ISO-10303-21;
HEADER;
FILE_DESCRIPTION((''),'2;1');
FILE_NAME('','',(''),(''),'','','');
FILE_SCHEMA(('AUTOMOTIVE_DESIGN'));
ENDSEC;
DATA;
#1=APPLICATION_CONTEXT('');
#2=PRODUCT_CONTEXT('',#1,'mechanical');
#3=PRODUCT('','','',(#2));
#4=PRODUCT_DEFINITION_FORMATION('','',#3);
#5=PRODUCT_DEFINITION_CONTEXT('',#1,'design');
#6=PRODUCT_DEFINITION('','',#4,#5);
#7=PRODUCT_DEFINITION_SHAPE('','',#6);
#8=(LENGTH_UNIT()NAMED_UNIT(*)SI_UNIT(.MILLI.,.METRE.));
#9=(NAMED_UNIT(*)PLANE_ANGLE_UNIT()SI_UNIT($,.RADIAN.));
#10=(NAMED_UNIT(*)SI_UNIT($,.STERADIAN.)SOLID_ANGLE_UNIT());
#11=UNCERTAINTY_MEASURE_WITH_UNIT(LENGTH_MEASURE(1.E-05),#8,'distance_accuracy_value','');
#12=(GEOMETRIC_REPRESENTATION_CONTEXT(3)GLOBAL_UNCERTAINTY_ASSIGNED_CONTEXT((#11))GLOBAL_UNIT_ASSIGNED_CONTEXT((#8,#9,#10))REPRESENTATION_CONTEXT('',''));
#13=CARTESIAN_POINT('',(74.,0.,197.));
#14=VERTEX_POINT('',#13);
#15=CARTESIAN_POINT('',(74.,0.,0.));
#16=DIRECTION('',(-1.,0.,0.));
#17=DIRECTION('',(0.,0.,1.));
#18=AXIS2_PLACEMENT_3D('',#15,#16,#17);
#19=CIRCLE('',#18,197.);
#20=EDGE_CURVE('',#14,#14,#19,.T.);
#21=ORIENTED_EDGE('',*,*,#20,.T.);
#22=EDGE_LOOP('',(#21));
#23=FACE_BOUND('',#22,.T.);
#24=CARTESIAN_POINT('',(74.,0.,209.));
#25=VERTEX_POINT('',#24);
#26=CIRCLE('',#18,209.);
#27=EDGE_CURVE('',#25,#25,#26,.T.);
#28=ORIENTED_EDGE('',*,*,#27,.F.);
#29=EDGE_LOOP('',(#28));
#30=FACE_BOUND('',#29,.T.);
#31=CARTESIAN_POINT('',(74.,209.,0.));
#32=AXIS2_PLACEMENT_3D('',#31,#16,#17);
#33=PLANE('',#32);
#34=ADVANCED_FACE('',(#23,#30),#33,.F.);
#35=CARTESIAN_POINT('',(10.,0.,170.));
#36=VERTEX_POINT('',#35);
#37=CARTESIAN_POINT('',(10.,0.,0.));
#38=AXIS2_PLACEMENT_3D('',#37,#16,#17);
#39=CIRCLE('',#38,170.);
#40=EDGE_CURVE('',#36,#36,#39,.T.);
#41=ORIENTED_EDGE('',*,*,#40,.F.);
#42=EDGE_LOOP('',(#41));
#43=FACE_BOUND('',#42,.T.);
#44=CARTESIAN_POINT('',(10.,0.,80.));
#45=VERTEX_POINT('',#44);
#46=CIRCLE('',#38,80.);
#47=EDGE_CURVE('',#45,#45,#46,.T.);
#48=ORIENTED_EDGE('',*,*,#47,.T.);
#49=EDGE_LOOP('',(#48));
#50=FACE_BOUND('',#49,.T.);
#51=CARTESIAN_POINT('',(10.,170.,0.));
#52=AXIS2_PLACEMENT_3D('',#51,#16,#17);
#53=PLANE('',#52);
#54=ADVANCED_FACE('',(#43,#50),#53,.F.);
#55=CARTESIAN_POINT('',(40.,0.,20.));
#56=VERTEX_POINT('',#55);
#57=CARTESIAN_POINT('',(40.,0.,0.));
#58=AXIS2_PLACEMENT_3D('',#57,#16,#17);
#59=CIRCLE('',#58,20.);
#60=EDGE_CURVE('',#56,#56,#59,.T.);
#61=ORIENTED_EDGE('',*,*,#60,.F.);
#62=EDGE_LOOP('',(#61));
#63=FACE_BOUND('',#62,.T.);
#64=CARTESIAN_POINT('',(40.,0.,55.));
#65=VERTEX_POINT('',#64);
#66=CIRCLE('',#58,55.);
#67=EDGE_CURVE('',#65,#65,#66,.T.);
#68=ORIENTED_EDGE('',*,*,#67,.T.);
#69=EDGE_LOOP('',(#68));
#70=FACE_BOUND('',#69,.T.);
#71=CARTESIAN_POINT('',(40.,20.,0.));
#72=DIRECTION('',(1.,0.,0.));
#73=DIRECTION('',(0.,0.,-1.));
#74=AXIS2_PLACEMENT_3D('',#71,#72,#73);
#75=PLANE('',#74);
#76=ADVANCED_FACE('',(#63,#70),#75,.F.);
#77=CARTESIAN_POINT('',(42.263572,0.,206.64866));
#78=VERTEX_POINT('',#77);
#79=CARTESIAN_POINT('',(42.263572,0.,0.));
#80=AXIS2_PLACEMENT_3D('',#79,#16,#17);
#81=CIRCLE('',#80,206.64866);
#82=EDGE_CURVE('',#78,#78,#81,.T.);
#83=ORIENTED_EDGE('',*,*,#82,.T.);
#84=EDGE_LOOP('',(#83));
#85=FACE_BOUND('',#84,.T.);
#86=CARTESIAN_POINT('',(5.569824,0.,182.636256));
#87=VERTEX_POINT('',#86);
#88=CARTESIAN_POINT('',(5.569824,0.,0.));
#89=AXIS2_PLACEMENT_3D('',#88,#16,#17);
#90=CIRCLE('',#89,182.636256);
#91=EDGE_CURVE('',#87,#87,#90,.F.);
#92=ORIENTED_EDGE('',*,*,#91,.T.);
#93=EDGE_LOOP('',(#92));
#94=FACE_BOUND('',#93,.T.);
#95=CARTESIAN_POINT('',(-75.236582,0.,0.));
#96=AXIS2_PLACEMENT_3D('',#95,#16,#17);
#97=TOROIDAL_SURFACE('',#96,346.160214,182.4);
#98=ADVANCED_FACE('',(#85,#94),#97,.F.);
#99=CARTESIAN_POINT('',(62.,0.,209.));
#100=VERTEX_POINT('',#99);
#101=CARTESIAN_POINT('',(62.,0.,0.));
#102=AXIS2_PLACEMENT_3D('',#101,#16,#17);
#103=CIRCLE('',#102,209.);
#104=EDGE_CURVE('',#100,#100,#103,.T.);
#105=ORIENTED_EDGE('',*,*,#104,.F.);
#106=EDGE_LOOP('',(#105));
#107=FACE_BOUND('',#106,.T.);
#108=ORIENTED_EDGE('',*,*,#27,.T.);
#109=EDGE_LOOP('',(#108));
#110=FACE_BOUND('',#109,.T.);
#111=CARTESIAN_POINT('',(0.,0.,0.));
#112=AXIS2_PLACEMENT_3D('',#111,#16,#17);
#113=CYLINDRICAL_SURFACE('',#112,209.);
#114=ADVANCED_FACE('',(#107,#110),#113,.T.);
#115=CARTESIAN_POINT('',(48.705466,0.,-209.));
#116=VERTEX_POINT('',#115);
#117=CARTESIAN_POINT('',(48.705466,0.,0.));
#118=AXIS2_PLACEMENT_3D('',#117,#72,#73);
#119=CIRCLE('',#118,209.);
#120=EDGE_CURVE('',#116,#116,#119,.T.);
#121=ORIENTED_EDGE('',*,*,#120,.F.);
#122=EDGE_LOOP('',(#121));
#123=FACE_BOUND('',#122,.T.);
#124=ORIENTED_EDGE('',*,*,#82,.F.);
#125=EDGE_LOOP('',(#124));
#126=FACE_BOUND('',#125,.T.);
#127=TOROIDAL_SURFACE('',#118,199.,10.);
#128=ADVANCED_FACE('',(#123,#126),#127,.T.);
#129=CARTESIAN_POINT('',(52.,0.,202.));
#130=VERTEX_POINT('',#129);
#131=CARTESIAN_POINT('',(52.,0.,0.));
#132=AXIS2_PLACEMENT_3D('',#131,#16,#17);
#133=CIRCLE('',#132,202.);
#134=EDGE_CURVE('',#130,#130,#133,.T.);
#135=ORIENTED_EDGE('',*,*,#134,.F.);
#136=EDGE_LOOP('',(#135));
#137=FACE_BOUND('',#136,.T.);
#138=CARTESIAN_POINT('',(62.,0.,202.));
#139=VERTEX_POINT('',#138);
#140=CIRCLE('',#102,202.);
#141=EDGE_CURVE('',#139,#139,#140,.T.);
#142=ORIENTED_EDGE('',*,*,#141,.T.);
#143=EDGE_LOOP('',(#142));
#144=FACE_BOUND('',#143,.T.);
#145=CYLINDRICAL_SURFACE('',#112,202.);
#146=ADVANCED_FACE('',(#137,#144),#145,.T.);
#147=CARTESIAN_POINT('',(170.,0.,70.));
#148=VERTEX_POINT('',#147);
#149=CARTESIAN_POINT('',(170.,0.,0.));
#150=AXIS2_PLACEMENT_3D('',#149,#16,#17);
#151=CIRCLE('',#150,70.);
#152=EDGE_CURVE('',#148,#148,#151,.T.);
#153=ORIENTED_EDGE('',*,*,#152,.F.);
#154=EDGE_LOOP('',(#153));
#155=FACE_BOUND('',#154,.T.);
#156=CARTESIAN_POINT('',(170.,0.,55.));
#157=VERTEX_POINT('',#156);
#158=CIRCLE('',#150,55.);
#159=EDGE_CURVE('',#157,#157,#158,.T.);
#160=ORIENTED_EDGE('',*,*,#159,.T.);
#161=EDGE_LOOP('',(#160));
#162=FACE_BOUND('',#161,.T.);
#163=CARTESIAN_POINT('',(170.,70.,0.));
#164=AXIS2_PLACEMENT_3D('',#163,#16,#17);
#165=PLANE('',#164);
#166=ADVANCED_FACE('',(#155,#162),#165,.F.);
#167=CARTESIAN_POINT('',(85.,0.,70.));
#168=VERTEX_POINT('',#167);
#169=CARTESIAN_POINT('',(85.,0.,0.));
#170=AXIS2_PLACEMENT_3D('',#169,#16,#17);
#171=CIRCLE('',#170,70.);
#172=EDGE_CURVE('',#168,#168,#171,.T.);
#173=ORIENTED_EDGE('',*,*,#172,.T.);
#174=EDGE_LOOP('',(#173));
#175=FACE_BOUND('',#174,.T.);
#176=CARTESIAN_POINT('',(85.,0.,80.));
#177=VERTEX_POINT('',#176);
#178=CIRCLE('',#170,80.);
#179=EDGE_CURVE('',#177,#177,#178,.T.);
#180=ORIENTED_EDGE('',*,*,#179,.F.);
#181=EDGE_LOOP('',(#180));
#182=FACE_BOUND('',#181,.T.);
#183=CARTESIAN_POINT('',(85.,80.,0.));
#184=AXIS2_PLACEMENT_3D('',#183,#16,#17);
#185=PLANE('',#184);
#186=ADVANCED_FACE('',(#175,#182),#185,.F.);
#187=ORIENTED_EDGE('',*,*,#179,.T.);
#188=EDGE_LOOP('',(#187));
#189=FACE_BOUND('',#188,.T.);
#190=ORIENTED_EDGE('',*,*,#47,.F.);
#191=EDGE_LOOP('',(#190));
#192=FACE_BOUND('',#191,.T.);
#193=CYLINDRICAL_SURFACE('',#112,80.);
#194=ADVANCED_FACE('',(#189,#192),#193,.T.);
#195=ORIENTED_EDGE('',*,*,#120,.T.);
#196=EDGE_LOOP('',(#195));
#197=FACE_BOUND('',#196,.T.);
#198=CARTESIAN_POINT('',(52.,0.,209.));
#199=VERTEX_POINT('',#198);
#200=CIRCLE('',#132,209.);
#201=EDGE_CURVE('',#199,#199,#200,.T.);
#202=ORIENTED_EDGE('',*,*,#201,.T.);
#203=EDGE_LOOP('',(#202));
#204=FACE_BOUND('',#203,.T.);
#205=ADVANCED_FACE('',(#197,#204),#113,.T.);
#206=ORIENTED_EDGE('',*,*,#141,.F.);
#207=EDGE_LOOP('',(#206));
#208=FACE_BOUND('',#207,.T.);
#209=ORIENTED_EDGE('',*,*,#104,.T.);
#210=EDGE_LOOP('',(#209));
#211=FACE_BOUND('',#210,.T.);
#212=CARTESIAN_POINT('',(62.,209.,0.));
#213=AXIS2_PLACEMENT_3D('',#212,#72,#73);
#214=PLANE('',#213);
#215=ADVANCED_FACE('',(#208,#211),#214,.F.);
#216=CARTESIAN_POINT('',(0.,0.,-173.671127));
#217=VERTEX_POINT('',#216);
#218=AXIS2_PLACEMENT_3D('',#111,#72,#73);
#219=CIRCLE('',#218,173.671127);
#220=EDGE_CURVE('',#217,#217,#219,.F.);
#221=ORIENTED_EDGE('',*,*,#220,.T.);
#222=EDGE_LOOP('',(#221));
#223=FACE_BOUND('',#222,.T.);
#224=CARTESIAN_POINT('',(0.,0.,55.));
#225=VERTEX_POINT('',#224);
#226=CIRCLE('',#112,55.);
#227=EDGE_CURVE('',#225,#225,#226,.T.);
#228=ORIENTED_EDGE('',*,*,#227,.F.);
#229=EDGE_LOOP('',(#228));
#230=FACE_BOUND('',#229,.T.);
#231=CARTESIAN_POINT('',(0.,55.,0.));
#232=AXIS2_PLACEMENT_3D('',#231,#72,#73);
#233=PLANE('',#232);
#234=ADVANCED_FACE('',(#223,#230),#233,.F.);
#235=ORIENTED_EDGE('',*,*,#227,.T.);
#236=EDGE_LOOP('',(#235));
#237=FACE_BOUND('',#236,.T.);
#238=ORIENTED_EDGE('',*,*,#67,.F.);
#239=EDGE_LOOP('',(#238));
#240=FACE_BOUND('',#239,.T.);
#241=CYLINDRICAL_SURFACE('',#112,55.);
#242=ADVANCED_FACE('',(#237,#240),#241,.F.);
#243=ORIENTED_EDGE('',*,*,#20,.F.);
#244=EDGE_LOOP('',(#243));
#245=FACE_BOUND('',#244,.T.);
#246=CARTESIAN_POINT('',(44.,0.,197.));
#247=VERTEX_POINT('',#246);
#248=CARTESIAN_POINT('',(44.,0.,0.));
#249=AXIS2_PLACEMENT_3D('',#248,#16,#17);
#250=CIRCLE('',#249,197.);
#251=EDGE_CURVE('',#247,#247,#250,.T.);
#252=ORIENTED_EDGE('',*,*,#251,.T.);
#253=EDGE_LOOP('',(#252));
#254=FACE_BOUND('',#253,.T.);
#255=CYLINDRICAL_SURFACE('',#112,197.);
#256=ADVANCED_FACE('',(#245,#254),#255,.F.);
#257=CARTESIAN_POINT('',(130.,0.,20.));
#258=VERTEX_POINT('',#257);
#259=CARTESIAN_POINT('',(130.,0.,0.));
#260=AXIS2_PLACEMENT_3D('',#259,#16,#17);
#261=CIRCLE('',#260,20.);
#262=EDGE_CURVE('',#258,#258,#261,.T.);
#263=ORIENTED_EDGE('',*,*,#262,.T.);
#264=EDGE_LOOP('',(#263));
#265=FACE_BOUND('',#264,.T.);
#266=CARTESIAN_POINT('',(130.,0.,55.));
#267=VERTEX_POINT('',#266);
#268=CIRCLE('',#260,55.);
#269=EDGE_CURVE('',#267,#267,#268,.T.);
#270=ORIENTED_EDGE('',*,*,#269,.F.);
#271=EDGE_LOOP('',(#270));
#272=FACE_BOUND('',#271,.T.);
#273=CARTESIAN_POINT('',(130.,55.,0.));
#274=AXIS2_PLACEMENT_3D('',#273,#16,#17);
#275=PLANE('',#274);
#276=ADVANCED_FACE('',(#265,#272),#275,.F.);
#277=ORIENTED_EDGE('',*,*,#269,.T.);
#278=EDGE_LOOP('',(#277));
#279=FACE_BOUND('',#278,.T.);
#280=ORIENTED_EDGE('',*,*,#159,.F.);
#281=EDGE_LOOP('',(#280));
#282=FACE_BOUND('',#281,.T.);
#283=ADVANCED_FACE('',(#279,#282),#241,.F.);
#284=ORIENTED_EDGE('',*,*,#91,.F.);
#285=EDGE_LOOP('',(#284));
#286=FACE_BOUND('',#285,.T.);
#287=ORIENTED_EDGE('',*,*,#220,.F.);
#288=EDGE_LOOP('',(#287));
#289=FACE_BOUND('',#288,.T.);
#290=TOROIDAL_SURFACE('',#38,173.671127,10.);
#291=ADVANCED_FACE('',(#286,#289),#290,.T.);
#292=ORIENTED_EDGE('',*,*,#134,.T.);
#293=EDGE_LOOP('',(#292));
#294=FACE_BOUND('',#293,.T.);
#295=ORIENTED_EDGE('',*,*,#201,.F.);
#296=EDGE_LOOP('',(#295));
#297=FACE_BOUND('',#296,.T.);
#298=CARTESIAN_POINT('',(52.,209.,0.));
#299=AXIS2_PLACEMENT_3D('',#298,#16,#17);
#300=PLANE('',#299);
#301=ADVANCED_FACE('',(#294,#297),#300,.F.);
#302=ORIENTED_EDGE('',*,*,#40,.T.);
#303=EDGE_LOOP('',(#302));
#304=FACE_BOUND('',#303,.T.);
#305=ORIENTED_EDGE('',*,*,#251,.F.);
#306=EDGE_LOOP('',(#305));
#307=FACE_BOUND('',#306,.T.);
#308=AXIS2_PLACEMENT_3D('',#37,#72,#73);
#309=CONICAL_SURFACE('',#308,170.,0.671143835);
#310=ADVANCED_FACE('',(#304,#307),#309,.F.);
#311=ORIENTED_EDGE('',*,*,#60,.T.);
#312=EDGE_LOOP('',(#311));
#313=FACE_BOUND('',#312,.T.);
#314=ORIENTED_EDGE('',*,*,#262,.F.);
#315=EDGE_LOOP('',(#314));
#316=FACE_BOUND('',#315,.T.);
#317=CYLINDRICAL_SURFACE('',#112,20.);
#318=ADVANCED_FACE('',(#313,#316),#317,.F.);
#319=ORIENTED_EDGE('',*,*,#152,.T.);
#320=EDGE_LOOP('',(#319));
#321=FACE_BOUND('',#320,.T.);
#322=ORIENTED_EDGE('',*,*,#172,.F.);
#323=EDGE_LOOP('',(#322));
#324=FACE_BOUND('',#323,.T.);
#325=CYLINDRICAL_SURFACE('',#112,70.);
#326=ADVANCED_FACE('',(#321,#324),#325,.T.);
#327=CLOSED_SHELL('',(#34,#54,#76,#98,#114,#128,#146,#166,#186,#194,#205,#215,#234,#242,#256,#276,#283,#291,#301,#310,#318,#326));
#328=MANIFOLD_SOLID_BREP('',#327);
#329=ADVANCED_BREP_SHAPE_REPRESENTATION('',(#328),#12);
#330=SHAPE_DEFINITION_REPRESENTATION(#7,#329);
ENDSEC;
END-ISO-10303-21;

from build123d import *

# Parameters (mm, degrees)
FILLET1_R = 10


with BuildPart() as part:
    # Sketch1 → Revolve1 (revolve)
    with BuildSketch(Plane.XY, mode=Mode.PRIVATE) as revolve1_sk:
        with BuildLine():
            Line((170, 55), (130, 55))
            Line((130, 55), (130, 20))
            Line((130, 20), (40, 20))
            Line((40, 20), (40, 55))
            Line((40, 55), (0, 55))
            Line((0, 55), (0, 180))
            ThreePointArc((0, 180), (23.569740978, 192.840057103), (45, 209))
            Line((45, 209), (52, 209))
            Line((52, 209), (52, 202))
            Line((52, 202), (62, 202))
            Line((62, 202), (62, 209))
            Line((62, 209), (74, 209))
            Line((74, 209), (74, 197))
            Line((74, 197), (44, 197))
            Line((44, 197), (10, 170))
            Line((10, 170), (10, 80))
            Line((10, 80), (85, 80))
            Line((85, 80), (85, 70))
            Line((85, 70), (170, 70))
            Line((170, 70), (170, 55))
        make_face()
    revolve(revolve1_sk.sketch.rotate(Axis((0, 0, 0), (1, 0, 0)), 90), axis=Axis((0, 0, 0), (1, 0, 0)))

    # Fillet1
    fillet1_edges = [part.edges().sort_by_distance(p)[0] for p in [
        (0, 0, -180),
        (45, 0, -209),
    ]]
    fillet(fillet1_edges, radius=FILLET1_R)


solid = part.part
